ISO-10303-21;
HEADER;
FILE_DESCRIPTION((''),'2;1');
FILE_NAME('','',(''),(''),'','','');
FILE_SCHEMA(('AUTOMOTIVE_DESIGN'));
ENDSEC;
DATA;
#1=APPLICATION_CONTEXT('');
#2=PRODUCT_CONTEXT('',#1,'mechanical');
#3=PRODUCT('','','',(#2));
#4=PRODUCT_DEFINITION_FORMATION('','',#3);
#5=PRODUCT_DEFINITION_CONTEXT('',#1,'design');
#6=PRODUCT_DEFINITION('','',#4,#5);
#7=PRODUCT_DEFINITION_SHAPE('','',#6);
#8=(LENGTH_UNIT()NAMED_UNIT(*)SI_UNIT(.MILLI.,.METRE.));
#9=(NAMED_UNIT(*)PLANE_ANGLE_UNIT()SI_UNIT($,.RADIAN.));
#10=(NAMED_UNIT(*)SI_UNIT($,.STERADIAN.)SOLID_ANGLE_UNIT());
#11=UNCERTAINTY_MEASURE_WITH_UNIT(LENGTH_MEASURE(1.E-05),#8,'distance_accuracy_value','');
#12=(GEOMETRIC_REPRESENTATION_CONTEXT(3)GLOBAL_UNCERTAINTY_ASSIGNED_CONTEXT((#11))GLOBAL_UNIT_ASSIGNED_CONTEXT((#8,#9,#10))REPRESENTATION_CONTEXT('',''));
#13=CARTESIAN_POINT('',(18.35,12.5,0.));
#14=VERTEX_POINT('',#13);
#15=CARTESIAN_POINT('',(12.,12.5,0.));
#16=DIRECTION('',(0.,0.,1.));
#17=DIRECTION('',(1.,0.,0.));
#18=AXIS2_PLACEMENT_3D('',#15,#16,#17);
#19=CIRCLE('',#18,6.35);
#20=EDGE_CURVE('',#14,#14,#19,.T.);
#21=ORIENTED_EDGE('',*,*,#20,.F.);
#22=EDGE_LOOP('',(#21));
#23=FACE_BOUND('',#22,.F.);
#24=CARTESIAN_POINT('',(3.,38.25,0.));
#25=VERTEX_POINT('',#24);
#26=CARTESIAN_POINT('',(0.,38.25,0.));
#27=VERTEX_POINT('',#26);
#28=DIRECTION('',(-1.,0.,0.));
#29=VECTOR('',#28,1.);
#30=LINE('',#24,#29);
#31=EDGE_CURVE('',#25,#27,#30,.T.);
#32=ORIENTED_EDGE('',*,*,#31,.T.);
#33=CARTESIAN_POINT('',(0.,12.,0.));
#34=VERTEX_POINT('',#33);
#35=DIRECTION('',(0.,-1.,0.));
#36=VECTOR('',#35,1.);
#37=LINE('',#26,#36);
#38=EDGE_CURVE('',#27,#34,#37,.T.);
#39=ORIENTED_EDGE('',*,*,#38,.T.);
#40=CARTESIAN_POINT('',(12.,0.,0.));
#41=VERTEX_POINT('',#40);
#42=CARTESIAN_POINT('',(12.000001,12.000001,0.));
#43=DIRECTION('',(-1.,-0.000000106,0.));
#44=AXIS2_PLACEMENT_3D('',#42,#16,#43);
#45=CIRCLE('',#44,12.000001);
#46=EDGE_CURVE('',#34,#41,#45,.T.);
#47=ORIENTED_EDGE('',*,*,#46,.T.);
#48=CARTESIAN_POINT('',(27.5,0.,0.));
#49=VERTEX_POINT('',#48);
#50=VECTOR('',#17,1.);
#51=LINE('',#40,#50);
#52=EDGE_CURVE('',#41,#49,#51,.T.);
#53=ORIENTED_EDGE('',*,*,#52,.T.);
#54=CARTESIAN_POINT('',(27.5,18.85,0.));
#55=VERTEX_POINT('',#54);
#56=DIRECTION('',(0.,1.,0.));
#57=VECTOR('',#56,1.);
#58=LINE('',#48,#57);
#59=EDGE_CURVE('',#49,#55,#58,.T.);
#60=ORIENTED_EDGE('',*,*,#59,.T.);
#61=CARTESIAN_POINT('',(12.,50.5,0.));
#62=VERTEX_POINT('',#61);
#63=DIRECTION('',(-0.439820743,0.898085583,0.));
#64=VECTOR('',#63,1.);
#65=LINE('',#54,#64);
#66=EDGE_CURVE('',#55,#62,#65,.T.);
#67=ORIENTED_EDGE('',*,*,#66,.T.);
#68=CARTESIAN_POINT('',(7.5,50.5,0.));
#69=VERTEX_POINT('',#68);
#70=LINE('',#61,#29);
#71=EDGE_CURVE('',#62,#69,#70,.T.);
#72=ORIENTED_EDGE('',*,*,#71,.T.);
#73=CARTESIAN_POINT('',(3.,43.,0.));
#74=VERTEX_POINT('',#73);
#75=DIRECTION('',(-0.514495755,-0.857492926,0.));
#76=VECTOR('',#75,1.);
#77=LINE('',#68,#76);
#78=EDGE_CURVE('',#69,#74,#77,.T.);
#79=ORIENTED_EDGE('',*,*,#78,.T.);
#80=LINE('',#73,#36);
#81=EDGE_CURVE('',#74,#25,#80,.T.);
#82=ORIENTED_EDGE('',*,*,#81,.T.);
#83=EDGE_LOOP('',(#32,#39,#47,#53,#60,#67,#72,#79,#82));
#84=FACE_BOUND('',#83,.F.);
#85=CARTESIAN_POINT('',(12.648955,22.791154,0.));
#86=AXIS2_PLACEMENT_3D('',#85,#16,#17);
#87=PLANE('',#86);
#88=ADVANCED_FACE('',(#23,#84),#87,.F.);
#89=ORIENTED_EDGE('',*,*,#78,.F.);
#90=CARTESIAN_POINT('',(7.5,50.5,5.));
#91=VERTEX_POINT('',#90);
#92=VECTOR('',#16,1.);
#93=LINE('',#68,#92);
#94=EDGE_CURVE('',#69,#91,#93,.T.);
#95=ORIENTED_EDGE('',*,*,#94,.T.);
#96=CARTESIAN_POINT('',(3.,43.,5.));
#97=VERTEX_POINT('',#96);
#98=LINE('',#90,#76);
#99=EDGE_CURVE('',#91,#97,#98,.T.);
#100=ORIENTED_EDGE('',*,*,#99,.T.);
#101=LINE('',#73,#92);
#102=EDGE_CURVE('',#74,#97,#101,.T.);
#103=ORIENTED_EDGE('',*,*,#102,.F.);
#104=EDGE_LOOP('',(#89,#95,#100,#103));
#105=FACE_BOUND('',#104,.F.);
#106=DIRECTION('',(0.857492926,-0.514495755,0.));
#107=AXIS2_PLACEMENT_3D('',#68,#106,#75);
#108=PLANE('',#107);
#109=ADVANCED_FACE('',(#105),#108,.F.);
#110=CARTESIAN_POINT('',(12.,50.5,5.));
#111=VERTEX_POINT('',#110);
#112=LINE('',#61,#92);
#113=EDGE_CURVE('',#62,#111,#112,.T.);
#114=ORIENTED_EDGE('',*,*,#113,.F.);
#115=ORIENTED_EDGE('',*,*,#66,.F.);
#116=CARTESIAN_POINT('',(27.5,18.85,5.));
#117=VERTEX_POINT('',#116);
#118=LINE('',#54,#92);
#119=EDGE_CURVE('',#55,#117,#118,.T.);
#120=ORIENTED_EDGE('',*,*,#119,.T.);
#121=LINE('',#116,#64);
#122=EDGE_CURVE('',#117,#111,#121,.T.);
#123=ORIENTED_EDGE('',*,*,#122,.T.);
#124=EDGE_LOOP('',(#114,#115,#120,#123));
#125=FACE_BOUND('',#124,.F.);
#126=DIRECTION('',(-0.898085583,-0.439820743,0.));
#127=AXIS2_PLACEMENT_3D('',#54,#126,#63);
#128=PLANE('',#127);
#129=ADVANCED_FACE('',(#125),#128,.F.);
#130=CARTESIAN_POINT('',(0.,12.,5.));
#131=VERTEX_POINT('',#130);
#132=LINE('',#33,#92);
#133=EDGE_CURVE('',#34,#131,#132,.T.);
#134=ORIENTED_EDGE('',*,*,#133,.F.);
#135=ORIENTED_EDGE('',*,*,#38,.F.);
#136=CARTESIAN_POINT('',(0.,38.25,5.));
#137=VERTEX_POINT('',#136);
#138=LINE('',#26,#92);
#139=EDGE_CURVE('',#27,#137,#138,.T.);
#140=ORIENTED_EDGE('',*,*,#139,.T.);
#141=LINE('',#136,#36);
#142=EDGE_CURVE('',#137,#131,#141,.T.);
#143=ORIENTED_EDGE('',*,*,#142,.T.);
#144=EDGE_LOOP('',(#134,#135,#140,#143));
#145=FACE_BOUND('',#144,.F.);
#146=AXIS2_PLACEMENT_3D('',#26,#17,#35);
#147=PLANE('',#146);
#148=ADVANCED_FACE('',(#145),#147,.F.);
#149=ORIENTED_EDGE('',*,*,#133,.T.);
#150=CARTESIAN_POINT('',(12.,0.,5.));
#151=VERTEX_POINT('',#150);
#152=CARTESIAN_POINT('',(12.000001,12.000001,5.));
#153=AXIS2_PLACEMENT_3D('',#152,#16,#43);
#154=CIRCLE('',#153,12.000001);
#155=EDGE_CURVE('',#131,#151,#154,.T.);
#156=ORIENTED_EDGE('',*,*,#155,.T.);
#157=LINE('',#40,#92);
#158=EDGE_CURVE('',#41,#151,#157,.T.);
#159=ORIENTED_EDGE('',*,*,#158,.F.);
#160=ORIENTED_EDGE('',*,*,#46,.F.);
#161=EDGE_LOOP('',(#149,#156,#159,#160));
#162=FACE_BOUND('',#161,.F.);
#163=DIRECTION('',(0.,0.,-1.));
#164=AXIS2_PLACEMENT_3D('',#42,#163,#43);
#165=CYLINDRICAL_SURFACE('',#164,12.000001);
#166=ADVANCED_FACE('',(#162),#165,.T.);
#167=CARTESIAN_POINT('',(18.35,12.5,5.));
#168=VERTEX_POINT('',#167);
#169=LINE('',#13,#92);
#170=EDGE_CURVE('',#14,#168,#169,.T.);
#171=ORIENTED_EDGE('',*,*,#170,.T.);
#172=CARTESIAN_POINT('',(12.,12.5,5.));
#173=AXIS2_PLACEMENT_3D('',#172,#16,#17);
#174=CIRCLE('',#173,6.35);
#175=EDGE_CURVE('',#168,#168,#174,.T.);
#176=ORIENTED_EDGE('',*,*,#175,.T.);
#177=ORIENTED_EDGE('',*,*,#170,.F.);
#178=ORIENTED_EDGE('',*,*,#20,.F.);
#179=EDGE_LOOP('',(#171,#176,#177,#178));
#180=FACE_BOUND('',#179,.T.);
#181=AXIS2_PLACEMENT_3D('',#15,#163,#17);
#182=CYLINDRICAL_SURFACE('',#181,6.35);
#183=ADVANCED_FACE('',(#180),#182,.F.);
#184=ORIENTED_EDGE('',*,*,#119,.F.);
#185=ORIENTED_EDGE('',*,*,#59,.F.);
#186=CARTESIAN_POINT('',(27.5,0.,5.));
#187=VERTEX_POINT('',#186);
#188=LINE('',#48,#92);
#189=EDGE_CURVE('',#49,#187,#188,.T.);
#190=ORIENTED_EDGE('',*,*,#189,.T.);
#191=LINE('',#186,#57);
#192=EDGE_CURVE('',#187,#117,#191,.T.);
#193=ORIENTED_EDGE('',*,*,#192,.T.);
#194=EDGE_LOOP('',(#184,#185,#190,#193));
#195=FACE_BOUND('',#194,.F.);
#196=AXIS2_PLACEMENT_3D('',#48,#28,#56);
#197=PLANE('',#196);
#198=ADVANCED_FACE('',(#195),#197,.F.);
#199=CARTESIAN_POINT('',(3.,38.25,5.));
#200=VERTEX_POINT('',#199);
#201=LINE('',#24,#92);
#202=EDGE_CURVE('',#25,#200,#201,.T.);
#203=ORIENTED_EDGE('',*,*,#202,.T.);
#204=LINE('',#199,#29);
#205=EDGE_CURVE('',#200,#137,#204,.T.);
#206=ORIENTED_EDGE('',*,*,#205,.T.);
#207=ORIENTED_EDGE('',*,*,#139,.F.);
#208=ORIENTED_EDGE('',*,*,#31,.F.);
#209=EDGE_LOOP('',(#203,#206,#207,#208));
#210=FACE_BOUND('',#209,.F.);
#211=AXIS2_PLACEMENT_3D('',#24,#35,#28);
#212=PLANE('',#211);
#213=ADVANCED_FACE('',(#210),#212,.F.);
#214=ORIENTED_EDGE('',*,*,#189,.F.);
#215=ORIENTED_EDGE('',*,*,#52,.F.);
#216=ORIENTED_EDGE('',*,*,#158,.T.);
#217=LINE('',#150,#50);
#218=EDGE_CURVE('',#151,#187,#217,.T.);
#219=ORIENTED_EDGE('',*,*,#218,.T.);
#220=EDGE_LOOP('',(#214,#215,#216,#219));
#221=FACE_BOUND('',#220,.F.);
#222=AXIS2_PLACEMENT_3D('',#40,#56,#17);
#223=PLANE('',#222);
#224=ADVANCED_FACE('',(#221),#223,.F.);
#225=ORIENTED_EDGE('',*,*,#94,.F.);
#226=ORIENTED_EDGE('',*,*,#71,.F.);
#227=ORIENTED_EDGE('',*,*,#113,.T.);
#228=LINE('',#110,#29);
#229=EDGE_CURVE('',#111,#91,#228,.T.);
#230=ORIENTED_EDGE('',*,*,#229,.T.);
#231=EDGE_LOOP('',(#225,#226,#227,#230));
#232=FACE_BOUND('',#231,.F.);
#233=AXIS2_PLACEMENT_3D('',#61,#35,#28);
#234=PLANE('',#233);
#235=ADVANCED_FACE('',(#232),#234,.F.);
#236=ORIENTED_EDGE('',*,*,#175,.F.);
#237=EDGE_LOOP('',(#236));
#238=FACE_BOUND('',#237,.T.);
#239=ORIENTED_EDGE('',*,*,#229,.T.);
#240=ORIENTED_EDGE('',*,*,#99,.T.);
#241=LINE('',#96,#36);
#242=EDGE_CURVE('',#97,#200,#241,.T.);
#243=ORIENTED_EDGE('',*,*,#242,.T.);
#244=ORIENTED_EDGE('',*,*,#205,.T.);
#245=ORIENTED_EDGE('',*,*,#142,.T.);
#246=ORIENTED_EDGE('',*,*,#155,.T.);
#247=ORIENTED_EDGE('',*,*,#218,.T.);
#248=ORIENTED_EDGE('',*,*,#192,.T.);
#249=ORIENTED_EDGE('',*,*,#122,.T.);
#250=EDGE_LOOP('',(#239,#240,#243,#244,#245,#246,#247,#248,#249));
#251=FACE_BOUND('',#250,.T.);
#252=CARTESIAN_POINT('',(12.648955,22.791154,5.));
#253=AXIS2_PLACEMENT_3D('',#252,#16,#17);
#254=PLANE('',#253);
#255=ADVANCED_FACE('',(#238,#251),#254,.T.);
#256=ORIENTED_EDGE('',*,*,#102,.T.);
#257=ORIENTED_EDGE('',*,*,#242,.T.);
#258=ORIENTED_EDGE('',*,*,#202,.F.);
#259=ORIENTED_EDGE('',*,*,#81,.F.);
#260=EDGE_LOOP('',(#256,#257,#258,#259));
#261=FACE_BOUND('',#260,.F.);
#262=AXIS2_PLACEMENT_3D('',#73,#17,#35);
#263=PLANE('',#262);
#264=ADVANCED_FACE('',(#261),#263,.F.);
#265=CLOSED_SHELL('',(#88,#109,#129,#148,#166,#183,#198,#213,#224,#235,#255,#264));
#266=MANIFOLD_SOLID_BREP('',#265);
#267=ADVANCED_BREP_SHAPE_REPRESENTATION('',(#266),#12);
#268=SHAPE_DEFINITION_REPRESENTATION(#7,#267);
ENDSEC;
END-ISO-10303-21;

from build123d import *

# Parameters (mm, degrees)
F0_R     = 6.35
F1_DEPTH = 5


with BuildPart() as f1:
    # F0 (on Top) → F1 (new body)
    with BuildSketch(Plane.XY):
        with BuildLine():
            ThreePointArc((0, 12), (3.514719, 3.514719), (12, 0))
            Line((12, 0), (27.5, 0))
            Line((27.5, 0), (27.5, 18.85))
            Line((27.5, 18.85), (12, 50.5))
            Line((12, 50.5), (7.5, 50.5))
            Line((7.5, 50.5), (3, 43))
            Line((3, 43), (3, 38.25))
            Line((3, 38.25), (0, 38.25))
            Line((0, 38.25), (0, 12))
        make_face()
        with Locations((12, 12.5)):
            Circle(F0_R, mode=Mode.SUBTRACT)
    extrude(amount=F1_DEPTH)


solid = f1.part
